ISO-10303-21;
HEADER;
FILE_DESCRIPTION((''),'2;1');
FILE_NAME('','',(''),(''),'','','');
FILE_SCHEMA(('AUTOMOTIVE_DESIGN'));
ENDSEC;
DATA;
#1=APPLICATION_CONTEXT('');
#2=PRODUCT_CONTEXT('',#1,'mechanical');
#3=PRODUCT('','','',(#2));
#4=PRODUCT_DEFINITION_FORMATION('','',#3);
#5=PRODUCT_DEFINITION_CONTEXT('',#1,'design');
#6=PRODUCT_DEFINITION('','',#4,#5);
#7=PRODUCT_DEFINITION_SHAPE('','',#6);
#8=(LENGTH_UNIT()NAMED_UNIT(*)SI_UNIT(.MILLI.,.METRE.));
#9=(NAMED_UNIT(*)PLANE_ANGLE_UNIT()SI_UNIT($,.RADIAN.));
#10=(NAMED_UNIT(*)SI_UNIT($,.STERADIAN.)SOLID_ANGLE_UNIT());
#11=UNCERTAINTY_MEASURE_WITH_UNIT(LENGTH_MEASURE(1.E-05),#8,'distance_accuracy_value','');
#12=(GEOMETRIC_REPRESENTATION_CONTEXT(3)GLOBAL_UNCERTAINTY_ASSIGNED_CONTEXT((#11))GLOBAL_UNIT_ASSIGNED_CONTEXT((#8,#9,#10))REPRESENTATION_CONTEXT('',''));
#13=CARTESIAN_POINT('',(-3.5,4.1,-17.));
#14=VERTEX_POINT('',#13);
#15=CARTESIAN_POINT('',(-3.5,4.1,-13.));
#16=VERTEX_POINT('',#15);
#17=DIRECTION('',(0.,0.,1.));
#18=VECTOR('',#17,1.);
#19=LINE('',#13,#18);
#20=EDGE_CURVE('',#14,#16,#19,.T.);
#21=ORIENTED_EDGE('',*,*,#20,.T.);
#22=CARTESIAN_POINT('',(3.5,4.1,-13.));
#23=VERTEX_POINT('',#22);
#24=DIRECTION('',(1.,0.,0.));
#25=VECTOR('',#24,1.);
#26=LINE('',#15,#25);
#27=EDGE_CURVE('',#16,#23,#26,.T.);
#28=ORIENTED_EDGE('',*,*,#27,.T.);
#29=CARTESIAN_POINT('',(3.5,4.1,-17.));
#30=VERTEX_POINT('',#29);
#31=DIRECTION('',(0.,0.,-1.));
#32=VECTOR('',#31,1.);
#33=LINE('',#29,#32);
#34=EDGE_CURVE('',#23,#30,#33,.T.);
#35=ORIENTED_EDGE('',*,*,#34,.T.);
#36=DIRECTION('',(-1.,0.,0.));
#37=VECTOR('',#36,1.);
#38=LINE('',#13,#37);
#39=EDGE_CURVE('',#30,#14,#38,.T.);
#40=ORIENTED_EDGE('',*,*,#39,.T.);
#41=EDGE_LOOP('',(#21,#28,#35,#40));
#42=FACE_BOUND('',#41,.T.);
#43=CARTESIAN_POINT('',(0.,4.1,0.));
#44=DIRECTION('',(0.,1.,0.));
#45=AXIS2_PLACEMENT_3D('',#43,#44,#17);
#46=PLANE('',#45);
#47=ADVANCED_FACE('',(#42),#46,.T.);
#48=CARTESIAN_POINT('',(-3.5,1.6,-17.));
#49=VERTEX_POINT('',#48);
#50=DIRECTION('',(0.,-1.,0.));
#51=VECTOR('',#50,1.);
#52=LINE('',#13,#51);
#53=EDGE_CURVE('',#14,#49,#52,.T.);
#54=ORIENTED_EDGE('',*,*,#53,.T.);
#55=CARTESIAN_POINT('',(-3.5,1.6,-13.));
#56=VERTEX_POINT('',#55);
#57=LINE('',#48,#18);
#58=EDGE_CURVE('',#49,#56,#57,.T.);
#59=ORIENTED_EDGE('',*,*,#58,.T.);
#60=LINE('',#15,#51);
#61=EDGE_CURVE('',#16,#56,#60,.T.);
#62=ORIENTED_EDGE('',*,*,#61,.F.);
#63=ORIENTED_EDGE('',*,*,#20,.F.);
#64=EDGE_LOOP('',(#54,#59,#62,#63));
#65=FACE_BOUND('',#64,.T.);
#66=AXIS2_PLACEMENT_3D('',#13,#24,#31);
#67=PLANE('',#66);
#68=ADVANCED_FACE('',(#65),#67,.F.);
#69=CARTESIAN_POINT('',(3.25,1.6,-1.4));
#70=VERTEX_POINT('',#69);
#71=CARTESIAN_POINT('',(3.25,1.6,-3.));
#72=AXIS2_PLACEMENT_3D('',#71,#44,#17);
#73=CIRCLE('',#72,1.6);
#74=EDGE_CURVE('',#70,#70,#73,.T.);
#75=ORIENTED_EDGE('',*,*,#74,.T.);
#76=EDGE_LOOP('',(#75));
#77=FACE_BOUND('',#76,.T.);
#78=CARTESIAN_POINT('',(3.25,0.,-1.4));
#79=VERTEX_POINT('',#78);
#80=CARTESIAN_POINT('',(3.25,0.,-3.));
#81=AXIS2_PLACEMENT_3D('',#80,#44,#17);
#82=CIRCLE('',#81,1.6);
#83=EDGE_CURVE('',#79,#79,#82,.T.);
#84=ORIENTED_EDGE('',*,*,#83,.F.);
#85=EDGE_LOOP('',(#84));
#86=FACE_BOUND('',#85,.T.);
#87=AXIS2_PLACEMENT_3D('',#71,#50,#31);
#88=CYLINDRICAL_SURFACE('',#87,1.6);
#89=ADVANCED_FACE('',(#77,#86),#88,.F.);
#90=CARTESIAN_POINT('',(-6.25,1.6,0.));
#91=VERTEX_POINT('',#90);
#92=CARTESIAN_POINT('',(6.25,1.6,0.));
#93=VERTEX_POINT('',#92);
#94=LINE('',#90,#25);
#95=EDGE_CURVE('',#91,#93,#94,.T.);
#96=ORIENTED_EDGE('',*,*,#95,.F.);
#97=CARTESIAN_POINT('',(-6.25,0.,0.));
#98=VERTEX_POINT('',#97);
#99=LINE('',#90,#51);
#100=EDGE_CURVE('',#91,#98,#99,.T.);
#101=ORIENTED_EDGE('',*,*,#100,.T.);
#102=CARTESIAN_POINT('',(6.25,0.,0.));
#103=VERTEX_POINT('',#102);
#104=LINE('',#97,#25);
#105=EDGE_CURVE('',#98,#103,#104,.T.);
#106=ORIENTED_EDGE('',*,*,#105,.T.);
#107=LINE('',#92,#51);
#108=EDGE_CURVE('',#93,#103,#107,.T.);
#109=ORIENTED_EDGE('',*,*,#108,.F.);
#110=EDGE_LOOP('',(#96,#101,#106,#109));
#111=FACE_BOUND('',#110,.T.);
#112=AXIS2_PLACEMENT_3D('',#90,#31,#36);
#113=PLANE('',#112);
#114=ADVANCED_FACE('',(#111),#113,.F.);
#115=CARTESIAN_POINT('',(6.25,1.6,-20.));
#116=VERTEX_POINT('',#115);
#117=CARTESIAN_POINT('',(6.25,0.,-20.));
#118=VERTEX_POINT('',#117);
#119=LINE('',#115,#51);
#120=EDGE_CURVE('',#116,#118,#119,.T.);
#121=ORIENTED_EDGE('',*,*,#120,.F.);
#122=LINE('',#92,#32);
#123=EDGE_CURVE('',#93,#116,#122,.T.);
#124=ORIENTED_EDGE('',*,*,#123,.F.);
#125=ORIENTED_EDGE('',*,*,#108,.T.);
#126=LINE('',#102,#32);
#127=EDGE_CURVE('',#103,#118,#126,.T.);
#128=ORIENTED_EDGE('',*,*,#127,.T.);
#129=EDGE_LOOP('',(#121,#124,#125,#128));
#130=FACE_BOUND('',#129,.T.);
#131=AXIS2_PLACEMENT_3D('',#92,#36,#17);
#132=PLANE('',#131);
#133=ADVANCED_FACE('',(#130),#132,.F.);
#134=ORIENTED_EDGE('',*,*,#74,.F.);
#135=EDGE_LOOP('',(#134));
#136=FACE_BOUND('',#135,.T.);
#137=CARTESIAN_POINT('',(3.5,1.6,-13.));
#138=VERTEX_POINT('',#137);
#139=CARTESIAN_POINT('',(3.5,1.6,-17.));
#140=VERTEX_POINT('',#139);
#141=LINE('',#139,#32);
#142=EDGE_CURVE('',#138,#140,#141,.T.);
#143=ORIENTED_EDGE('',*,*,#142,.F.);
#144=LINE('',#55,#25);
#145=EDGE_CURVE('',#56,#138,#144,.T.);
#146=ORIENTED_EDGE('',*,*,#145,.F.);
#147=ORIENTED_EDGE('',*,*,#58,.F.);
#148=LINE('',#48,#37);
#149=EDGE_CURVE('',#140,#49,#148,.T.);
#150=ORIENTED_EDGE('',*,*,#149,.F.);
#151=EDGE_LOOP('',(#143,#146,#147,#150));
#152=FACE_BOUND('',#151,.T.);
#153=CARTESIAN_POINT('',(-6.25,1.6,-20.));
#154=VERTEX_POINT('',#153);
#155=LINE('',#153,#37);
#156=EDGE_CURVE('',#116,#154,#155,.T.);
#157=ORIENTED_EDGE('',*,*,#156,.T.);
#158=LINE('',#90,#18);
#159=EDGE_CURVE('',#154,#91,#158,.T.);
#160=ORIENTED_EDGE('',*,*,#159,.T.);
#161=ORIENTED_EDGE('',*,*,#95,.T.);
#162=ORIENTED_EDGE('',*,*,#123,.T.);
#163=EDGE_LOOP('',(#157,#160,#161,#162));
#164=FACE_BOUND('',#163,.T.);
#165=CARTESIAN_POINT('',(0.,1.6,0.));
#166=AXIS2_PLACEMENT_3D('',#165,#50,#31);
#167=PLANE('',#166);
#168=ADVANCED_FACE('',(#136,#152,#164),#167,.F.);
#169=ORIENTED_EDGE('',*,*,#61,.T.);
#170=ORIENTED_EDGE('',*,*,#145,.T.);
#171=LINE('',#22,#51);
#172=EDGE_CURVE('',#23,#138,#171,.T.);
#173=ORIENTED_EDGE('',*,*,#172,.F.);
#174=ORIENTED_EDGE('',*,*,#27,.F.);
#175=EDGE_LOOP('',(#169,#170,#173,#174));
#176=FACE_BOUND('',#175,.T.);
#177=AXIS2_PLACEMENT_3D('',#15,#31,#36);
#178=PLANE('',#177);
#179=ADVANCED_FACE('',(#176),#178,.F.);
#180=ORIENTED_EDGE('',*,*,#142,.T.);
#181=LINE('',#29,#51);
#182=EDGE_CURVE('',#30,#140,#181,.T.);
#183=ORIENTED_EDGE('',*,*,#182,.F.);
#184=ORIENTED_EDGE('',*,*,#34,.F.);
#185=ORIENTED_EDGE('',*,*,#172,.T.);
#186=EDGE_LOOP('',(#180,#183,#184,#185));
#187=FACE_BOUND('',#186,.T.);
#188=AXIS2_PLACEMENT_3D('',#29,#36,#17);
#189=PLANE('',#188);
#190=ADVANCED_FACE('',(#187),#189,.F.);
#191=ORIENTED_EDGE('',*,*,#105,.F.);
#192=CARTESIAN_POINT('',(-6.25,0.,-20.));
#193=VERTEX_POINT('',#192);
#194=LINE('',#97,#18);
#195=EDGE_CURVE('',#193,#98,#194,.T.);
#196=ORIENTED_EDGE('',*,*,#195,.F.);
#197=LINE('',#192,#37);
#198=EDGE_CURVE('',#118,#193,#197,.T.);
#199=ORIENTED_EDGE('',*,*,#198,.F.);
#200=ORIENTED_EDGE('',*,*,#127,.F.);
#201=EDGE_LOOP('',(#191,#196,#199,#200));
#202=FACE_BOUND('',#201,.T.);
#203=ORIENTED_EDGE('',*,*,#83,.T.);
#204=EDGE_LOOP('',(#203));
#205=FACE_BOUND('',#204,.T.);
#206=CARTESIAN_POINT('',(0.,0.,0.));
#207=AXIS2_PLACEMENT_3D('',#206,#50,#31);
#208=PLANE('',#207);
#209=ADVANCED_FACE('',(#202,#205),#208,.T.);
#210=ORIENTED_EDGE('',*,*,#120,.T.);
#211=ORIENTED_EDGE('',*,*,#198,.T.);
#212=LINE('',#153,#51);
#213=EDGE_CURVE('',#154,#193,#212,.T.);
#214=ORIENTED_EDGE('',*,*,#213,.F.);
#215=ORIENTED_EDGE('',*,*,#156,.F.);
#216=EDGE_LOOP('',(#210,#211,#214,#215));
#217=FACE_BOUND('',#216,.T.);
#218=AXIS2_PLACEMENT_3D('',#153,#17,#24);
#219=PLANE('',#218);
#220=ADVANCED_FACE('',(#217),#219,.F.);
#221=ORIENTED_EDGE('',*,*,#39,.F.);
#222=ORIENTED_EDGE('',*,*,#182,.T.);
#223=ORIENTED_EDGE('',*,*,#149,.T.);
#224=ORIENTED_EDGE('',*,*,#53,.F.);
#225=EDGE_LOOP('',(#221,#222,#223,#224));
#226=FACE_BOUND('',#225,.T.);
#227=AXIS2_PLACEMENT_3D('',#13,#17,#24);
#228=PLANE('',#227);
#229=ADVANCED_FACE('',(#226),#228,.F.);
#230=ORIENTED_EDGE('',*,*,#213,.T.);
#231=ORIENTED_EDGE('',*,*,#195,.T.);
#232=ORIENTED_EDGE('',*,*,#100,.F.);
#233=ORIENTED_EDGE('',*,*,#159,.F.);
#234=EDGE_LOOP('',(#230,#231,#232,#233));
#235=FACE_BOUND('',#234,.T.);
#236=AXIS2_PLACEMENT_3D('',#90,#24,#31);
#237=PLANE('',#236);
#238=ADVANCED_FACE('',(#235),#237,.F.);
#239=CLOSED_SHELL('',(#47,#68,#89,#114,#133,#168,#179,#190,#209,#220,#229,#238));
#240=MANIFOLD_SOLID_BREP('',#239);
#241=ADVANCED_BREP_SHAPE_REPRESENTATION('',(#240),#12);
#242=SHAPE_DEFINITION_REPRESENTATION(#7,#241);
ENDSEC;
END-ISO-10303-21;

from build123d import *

# Parameters (mm, degrees)
SKETCH1_W           = 12.5
SKETCH1_H           = 20
SKETCH1_R           = 1.6
BOSS_EXTRUDE1_DEPTH = 1.6
SKETCH2_W           = 7
SKETCH2_H           = 4
BOSS_EXTRUDE2_DEPTH = 2.5


with BuildPart() as part:
    # Sketch1 → Boss-Extrude1 (new body)
    with BuildSketch(Plane(origin=(0, 0, 0), x_dir=(1, 0, 0), z_dir=(0, 1, 0))):
        with Locations((0, 10)):
            Rectangle(SKETCH1_W, SKETCH1_H)
        with Locations(Location((3.25, 3, 0), (0, 0, 270))):
            Circle(SKETCH1_R, mode=Mode.SUBTRACT)
    extrude(amount=BOSS_EXTRUDE1_DEPTH)

    # Sketch2 → Boss-Extrude2 (add)
    with BuildSketch(Plane(origin=(0, 1.6, 0), x_dir=(1, 0, 0), z_dir=(0, 1, 0))):
        with Locations((0, 15)):
            Rectangle(SKETCH2_W, SKETCH2_H)
    extrude(amount=BOSS_EXTRUDE2_DEPTH)


solid = part.part
